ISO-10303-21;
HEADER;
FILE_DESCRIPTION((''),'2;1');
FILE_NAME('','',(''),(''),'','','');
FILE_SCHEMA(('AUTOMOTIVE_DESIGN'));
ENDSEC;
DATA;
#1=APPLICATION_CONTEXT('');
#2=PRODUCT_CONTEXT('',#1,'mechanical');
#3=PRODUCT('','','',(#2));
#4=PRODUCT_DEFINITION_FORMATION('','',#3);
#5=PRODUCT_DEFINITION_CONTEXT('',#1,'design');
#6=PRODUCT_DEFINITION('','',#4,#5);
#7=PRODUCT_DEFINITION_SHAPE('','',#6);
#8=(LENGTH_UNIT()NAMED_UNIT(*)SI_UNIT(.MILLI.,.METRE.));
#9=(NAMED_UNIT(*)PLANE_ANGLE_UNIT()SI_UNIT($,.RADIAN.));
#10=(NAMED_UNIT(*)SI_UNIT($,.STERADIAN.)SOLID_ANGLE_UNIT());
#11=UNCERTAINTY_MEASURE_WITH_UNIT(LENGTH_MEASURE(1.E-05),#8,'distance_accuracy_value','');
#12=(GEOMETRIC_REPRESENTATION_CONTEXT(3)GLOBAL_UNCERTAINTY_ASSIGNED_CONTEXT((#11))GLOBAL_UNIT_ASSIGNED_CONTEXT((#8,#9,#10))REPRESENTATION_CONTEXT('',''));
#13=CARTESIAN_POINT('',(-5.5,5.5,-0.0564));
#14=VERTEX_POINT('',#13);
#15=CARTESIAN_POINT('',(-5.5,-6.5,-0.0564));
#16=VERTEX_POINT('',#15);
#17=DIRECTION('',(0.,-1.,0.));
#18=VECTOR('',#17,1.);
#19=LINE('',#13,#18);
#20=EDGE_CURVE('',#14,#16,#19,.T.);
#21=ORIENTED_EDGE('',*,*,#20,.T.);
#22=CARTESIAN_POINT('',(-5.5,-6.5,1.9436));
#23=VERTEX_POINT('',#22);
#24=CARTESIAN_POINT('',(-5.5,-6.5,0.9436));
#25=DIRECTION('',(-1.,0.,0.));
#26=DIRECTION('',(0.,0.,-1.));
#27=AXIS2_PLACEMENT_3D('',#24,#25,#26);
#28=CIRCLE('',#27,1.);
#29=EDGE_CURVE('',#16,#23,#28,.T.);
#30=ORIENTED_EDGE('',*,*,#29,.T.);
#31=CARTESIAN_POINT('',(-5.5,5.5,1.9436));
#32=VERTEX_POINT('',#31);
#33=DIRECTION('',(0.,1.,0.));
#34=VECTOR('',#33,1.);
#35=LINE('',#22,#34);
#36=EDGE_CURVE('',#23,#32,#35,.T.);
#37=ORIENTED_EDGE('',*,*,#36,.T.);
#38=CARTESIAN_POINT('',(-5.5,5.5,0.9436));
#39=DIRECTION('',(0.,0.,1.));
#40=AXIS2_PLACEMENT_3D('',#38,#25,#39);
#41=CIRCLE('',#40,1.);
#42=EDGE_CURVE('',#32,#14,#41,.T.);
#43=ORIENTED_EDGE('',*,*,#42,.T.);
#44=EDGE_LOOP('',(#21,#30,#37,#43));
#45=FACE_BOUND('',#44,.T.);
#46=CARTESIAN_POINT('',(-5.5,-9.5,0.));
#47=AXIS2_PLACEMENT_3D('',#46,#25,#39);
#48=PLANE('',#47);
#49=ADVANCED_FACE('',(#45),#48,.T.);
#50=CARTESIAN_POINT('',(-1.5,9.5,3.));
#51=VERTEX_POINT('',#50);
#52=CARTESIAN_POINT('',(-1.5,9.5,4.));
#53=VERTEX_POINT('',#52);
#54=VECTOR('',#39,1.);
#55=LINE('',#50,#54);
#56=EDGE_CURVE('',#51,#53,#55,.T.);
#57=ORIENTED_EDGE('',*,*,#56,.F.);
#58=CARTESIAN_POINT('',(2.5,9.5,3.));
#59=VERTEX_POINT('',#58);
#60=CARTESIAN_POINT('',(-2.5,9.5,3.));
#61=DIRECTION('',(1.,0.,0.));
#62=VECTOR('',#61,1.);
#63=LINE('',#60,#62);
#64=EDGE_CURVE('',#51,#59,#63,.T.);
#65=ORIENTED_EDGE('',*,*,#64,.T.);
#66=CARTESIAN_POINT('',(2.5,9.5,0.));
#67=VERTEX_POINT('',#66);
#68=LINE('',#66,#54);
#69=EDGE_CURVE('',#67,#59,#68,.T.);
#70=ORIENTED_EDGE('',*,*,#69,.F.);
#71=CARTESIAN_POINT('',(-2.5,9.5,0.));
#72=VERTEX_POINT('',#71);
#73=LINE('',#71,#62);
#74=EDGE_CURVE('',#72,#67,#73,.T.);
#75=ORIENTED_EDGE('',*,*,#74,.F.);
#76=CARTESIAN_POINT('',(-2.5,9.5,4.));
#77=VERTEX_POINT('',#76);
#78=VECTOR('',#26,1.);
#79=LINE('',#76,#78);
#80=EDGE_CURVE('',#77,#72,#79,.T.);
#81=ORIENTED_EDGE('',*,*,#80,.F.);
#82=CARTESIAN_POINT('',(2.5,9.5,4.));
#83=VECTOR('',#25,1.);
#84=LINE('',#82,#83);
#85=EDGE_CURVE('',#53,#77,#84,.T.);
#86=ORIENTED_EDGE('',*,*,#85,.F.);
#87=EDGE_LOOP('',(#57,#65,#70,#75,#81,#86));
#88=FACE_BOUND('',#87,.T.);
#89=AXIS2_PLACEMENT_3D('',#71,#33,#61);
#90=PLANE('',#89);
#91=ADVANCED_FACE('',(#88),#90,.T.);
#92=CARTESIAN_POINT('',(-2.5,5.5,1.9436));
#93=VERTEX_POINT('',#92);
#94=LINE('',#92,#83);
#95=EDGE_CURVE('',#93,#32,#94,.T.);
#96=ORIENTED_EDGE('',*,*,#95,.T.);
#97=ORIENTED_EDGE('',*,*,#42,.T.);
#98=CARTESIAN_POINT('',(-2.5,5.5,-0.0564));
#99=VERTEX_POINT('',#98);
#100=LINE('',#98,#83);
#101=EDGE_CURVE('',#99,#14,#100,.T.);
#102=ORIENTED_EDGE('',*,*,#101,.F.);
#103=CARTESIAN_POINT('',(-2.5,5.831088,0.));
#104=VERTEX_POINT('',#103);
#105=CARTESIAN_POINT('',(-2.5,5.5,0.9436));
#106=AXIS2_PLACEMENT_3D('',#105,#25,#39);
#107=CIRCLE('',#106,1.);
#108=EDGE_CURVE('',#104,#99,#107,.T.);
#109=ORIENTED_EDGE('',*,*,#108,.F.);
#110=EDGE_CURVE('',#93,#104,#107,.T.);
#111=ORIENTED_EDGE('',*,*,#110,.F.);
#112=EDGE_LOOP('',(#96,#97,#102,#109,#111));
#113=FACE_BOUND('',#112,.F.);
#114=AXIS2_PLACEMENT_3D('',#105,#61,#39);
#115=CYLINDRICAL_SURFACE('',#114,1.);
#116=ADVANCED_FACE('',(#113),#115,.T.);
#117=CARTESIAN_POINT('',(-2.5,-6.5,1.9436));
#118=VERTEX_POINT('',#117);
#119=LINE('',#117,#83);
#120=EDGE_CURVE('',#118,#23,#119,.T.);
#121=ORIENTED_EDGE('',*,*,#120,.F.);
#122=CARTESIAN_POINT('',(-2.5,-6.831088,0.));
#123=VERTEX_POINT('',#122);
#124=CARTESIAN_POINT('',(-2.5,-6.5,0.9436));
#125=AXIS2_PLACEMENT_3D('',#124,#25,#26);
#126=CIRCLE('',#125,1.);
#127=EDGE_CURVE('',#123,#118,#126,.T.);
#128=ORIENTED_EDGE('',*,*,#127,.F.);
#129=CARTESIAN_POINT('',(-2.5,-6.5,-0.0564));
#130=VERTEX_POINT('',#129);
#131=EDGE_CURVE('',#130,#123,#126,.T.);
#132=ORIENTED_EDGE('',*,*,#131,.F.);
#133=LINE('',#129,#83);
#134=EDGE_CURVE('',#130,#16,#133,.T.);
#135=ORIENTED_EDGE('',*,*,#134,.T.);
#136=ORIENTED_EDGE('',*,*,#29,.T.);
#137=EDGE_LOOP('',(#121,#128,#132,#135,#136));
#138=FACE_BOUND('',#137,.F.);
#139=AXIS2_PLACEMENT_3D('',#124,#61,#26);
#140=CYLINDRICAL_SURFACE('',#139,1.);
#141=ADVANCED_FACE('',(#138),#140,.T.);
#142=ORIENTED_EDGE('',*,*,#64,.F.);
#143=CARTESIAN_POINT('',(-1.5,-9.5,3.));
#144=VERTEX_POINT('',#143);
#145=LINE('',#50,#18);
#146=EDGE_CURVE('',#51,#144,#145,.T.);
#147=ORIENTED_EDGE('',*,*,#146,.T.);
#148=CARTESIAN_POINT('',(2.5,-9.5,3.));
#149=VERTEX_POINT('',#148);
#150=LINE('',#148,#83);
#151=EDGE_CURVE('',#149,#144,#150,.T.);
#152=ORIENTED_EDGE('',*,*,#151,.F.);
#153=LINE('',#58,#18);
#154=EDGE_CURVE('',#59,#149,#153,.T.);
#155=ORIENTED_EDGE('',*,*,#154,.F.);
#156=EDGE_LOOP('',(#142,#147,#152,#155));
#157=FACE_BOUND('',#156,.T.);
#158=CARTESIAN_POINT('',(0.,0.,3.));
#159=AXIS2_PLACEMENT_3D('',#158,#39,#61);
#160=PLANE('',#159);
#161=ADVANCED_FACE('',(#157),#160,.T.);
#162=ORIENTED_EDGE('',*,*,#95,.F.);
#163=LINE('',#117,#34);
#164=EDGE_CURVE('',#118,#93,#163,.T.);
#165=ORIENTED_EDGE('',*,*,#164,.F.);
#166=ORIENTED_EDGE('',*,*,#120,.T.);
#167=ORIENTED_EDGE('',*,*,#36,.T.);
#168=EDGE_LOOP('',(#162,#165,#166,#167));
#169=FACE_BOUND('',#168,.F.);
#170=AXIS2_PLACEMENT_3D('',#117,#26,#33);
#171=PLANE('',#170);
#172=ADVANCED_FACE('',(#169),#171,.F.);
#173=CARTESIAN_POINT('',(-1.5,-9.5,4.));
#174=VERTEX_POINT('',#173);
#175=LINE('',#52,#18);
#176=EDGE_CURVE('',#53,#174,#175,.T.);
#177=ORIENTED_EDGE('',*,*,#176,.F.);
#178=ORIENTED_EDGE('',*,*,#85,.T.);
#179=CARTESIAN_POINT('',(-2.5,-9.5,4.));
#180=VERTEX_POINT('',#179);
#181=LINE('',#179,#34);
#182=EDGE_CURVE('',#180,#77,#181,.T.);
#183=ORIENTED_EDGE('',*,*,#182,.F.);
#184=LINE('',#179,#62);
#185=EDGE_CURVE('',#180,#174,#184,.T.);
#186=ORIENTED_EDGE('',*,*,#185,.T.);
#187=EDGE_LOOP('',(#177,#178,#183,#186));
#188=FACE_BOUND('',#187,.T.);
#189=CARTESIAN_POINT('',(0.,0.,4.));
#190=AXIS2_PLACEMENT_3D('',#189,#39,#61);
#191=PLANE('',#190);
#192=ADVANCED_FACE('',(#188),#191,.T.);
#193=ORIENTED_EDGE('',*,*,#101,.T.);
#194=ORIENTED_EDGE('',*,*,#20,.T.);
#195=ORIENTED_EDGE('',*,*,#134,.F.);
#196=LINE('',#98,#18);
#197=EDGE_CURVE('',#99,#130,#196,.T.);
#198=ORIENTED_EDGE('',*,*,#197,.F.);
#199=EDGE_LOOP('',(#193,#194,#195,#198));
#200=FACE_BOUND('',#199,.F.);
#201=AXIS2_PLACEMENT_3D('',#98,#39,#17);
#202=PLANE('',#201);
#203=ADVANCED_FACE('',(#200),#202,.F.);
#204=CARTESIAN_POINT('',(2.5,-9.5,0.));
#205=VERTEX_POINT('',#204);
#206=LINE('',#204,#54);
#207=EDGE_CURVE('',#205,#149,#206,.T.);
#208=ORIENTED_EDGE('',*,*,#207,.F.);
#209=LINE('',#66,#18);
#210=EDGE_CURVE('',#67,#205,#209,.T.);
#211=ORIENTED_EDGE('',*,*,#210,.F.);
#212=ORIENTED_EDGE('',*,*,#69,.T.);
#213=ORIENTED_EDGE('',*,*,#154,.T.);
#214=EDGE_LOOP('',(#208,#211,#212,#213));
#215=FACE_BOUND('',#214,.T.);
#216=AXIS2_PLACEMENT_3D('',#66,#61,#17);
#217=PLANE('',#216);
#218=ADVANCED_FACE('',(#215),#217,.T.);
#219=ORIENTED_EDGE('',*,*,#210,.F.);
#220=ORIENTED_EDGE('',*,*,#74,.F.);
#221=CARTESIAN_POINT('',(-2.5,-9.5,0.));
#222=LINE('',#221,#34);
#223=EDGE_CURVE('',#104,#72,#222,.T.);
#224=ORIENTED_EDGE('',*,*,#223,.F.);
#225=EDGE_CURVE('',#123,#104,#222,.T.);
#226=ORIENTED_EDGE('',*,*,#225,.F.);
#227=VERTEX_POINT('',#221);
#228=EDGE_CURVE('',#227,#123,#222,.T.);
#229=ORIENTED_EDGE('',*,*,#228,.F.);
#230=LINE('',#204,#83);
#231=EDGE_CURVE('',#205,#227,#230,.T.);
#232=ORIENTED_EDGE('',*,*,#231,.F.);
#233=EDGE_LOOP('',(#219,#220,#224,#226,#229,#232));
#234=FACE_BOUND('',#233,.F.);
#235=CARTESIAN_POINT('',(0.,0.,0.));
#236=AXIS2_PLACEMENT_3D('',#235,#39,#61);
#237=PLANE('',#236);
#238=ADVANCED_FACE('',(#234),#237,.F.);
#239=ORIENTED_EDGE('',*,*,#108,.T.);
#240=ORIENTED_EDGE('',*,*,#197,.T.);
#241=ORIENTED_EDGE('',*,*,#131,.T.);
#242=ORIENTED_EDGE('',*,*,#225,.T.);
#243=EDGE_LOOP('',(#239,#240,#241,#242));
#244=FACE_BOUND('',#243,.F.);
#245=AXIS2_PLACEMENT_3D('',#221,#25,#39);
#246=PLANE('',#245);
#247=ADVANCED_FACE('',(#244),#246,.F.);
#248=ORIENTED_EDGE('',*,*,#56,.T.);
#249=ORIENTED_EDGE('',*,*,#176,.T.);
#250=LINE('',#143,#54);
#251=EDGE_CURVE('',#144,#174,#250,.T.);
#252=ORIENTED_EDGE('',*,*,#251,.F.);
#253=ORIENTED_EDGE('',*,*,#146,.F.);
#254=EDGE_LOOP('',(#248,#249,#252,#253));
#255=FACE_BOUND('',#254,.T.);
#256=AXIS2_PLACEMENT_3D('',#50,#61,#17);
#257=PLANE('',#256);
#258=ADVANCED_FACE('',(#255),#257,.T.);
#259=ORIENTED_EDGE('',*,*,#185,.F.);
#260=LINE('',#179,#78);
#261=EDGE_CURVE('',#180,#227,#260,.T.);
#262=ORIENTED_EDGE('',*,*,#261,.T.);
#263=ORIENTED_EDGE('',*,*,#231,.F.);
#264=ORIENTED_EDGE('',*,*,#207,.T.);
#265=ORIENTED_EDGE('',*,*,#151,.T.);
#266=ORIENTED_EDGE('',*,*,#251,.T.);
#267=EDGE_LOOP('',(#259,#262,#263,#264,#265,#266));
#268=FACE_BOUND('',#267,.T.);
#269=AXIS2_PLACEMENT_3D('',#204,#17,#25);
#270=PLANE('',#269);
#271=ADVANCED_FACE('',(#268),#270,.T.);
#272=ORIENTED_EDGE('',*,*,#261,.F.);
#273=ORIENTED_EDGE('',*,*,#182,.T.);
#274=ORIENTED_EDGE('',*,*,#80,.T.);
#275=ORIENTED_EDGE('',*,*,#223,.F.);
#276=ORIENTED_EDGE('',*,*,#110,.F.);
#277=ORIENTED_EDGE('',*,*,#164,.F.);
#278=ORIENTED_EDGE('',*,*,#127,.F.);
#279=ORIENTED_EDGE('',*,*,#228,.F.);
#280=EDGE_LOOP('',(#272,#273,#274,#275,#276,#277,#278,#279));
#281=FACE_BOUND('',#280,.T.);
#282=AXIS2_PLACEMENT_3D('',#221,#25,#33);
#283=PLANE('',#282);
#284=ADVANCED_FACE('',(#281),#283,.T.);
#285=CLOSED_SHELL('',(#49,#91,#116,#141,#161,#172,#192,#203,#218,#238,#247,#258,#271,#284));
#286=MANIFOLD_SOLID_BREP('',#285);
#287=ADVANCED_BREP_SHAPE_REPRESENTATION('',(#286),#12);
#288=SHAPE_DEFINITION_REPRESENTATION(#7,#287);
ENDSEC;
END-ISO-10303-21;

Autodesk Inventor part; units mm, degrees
ref_plane "YZ Plane" through (0, 0, 0) normal (1, 0, 0) x (0, 1, 0)
ref_plane "XZ Plane" through (0, 0, 0) normal (0, 1, 0) x (-1, 0, 0)
ref_plane "XY Plane" through (0, 0, 0) normal (0, 0, 1) x (1, 0, 0)
sketch "草图1" plane through (0, 0, 0) normal (0, 0, 1) x (1, 0, 0)
  line L0 (2.5, -9.5) -> (-2.5, -9.5)
  line L1 (-2.5, -9.5) -> (-2.5, 9.5)
  line L2 (-2.5, 9.5) -> (2.5, 9.5)
  line L3 (2.5, 9.5) -> (2.5, -9.5)
  line L4 (2.5, -9.5) -> (-2.5, 9.5) construction
  line L5 (-2.5, -9.5) -> (2.5, 9.5) construction
  point P0 (0, 0)
  dimension "d0" = 5
  dimension "d1" = 19
extrude "拉伸1" add sketch "草图1" along normal blind 3
sketch "草图2" plane through (0, 0, 3) normal (0, 0, 1) x (1, 0, 0)
  line L0 (2.5, 9.5) -> (-2.5, 9.5) projected
  line L1 (-2.5, -9.5) -> (2.5, -9.5) projected
  line L2 (-2.5, 9.5) -> (-1.5, 9.5)
  line L3 (-1.5, 9.5) -> (-1.5, -9.5)
  line L4 (-1.5, -9.5) -> (-2.5, -9.5)
  line L5 (-2.5, -9.5) -> (-2.5, 9.5)
  point P0 (0, 0)
  dimension "d4" = 1
extrude "拉伸2" add sketch "草图2" along normal blind 1
sketch "草图3" plane through (-2.5, -9.5, 0) normal (-1, 0, 0) x (0, 0, 1)
  line L0 (0.9436, 15) -> (0.9436, 3) construction
  line L1 (-0.0564, 15) -> (-0.0564, 3)
  line L2 (1.9436, 3) -> (1.9436, 15)
  arc A0 (1.9436, 15) -> (-0.0564, 15) centre (0.9436, 15) ccw
  arc A1 (-0.0564, 3) -> (1.9436, 3) centre (0.9436, 3) ccw
  line L3 (0, 19) -> (4, 19) projected
  point P0 (0, 9.5)
  point P1 (0.9436, 9)
  point P2 (0.9436, 16)
  point P3 (0.9436, 2)
  dimension "d7" = 2
  dimension "d8" = 14
  dimension "d9" = 3
extrude "拉伸3" add sketch "草图3" along normal blind 3
properties part number "指纹识别"
